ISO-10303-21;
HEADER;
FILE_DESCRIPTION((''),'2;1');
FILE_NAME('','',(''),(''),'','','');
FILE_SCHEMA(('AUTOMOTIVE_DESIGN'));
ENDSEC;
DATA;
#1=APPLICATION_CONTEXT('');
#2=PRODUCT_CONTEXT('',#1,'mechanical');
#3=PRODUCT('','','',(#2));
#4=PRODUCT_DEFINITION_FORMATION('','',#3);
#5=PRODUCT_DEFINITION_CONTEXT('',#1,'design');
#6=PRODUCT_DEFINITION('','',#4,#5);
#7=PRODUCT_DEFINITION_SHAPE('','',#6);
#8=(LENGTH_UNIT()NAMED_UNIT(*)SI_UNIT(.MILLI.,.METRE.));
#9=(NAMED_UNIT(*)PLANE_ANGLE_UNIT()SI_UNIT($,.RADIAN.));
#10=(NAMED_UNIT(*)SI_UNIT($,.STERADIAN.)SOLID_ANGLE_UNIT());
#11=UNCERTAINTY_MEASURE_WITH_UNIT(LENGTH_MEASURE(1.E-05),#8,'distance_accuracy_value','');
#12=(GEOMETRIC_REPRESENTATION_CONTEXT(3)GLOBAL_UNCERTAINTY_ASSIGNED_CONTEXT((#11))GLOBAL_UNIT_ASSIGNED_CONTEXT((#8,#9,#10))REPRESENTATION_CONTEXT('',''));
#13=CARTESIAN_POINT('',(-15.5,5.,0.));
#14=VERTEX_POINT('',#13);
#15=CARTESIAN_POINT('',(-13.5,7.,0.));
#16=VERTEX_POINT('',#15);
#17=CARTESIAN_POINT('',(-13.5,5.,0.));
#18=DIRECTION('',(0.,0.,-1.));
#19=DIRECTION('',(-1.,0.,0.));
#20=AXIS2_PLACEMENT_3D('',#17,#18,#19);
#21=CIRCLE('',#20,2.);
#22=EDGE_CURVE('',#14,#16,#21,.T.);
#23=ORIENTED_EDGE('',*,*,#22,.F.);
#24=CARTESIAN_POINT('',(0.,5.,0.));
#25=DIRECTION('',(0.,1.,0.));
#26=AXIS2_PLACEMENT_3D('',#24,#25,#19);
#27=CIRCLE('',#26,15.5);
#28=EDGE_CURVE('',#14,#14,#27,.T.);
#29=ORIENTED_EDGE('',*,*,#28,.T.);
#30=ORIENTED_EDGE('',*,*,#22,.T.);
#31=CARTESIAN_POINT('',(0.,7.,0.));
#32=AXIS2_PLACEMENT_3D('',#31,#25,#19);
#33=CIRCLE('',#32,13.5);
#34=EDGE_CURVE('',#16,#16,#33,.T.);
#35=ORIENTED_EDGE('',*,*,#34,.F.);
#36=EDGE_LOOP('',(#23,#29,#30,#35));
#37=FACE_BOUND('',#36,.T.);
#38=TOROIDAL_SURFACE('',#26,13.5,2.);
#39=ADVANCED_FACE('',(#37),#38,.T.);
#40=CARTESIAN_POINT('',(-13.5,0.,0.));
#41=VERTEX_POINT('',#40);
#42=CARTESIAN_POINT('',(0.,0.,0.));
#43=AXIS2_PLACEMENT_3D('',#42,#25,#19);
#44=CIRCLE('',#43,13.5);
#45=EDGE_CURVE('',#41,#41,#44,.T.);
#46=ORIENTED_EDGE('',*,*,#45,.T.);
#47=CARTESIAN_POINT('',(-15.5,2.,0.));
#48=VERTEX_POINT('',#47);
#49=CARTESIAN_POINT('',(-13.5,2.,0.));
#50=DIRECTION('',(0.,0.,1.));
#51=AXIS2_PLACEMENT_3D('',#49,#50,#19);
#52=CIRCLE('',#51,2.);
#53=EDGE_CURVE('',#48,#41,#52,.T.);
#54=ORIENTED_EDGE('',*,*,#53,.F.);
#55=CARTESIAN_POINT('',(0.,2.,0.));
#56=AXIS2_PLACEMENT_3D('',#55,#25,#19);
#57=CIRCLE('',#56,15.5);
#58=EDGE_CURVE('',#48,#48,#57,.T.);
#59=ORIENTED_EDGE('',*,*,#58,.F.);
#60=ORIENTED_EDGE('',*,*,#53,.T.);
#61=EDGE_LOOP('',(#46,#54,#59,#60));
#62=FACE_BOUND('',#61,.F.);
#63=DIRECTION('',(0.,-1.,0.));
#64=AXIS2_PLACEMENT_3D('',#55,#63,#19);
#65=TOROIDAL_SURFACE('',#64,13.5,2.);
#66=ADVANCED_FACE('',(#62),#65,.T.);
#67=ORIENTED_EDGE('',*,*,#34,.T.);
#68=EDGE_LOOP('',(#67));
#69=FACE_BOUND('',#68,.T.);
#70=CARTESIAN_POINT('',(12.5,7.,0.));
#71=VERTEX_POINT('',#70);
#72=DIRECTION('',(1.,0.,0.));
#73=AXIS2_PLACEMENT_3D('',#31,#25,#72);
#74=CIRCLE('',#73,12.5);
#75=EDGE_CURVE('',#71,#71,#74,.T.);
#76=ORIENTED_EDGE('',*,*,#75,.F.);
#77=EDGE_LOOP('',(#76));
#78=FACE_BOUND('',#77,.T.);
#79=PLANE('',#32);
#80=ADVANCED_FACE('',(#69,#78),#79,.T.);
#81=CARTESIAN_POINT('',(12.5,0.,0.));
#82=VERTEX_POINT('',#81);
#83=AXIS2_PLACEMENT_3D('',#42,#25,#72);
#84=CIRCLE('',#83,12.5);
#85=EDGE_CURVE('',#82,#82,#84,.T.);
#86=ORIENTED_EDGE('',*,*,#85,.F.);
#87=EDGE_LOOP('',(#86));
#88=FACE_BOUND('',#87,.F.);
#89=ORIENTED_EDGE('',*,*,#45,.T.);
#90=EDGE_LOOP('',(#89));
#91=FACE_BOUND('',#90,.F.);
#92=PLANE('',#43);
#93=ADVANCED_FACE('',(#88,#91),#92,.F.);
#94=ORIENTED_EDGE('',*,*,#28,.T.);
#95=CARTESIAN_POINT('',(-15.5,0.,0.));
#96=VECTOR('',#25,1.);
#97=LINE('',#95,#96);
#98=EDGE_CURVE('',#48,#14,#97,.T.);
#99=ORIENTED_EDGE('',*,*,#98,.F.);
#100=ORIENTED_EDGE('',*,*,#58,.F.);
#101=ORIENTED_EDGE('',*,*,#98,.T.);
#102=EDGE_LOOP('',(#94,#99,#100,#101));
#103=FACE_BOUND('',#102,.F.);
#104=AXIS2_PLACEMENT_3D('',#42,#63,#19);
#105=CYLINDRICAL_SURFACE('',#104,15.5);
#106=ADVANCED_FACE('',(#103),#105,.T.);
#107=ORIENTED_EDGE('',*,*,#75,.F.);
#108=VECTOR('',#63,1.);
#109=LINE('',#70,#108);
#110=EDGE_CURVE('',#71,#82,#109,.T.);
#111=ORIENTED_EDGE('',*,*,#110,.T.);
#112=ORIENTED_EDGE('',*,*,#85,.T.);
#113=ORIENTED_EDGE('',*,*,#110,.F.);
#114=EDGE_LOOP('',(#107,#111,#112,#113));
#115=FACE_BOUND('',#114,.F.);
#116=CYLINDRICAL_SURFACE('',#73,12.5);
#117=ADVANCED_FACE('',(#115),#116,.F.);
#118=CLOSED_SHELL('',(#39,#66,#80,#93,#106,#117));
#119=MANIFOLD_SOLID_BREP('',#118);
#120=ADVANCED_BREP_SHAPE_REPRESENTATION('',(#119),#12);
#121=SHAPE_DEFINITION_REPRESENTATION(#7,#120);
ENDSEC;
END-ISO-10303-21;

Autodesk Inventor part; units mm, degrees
ref_plane "YZ Plane" through (0, 0, 0) normal (1, 0, 0) x (0, 1, 0)
ref_plane "XZ Plane" through (0, 0, 0) normal (0, 1, 0) x (-1, 0, 0)
ref_plane "XY Plane" through (0, 0, 0) normal (0, 0, 1) x (1, 0, 0)
sketch "Esquisse1" plane through (0, 0, 0) normal (0, 1, 0) x (-1, 0, 0)
  circle A0 centre (0, 0) radius 15.5
  dimension "d0" = 31
extrude "Extrusion1" add sketch "Esquisse1" along normal blind 7
fillet "Congé1" radius 2 1 edges at (15.5, 7, 0)
fillet "Congé2" radius 2 1 edges at (15.5, 0, 0)
sketch "Esquisse3" plane through (0, 7, 0) normal (0, 1, 0) x (1, 0, 0)
  circle A0 centre (0, 0) radius 12.5
  dimension "d10" = 25
extrude "Extrusion2" cut sketch "Esquisse3" against normal blind 10
thread "Filetage3" size "M25x2" class "6H" standard "ANSI Metric M Profile" length 7
properties part number "Anneau interm"
